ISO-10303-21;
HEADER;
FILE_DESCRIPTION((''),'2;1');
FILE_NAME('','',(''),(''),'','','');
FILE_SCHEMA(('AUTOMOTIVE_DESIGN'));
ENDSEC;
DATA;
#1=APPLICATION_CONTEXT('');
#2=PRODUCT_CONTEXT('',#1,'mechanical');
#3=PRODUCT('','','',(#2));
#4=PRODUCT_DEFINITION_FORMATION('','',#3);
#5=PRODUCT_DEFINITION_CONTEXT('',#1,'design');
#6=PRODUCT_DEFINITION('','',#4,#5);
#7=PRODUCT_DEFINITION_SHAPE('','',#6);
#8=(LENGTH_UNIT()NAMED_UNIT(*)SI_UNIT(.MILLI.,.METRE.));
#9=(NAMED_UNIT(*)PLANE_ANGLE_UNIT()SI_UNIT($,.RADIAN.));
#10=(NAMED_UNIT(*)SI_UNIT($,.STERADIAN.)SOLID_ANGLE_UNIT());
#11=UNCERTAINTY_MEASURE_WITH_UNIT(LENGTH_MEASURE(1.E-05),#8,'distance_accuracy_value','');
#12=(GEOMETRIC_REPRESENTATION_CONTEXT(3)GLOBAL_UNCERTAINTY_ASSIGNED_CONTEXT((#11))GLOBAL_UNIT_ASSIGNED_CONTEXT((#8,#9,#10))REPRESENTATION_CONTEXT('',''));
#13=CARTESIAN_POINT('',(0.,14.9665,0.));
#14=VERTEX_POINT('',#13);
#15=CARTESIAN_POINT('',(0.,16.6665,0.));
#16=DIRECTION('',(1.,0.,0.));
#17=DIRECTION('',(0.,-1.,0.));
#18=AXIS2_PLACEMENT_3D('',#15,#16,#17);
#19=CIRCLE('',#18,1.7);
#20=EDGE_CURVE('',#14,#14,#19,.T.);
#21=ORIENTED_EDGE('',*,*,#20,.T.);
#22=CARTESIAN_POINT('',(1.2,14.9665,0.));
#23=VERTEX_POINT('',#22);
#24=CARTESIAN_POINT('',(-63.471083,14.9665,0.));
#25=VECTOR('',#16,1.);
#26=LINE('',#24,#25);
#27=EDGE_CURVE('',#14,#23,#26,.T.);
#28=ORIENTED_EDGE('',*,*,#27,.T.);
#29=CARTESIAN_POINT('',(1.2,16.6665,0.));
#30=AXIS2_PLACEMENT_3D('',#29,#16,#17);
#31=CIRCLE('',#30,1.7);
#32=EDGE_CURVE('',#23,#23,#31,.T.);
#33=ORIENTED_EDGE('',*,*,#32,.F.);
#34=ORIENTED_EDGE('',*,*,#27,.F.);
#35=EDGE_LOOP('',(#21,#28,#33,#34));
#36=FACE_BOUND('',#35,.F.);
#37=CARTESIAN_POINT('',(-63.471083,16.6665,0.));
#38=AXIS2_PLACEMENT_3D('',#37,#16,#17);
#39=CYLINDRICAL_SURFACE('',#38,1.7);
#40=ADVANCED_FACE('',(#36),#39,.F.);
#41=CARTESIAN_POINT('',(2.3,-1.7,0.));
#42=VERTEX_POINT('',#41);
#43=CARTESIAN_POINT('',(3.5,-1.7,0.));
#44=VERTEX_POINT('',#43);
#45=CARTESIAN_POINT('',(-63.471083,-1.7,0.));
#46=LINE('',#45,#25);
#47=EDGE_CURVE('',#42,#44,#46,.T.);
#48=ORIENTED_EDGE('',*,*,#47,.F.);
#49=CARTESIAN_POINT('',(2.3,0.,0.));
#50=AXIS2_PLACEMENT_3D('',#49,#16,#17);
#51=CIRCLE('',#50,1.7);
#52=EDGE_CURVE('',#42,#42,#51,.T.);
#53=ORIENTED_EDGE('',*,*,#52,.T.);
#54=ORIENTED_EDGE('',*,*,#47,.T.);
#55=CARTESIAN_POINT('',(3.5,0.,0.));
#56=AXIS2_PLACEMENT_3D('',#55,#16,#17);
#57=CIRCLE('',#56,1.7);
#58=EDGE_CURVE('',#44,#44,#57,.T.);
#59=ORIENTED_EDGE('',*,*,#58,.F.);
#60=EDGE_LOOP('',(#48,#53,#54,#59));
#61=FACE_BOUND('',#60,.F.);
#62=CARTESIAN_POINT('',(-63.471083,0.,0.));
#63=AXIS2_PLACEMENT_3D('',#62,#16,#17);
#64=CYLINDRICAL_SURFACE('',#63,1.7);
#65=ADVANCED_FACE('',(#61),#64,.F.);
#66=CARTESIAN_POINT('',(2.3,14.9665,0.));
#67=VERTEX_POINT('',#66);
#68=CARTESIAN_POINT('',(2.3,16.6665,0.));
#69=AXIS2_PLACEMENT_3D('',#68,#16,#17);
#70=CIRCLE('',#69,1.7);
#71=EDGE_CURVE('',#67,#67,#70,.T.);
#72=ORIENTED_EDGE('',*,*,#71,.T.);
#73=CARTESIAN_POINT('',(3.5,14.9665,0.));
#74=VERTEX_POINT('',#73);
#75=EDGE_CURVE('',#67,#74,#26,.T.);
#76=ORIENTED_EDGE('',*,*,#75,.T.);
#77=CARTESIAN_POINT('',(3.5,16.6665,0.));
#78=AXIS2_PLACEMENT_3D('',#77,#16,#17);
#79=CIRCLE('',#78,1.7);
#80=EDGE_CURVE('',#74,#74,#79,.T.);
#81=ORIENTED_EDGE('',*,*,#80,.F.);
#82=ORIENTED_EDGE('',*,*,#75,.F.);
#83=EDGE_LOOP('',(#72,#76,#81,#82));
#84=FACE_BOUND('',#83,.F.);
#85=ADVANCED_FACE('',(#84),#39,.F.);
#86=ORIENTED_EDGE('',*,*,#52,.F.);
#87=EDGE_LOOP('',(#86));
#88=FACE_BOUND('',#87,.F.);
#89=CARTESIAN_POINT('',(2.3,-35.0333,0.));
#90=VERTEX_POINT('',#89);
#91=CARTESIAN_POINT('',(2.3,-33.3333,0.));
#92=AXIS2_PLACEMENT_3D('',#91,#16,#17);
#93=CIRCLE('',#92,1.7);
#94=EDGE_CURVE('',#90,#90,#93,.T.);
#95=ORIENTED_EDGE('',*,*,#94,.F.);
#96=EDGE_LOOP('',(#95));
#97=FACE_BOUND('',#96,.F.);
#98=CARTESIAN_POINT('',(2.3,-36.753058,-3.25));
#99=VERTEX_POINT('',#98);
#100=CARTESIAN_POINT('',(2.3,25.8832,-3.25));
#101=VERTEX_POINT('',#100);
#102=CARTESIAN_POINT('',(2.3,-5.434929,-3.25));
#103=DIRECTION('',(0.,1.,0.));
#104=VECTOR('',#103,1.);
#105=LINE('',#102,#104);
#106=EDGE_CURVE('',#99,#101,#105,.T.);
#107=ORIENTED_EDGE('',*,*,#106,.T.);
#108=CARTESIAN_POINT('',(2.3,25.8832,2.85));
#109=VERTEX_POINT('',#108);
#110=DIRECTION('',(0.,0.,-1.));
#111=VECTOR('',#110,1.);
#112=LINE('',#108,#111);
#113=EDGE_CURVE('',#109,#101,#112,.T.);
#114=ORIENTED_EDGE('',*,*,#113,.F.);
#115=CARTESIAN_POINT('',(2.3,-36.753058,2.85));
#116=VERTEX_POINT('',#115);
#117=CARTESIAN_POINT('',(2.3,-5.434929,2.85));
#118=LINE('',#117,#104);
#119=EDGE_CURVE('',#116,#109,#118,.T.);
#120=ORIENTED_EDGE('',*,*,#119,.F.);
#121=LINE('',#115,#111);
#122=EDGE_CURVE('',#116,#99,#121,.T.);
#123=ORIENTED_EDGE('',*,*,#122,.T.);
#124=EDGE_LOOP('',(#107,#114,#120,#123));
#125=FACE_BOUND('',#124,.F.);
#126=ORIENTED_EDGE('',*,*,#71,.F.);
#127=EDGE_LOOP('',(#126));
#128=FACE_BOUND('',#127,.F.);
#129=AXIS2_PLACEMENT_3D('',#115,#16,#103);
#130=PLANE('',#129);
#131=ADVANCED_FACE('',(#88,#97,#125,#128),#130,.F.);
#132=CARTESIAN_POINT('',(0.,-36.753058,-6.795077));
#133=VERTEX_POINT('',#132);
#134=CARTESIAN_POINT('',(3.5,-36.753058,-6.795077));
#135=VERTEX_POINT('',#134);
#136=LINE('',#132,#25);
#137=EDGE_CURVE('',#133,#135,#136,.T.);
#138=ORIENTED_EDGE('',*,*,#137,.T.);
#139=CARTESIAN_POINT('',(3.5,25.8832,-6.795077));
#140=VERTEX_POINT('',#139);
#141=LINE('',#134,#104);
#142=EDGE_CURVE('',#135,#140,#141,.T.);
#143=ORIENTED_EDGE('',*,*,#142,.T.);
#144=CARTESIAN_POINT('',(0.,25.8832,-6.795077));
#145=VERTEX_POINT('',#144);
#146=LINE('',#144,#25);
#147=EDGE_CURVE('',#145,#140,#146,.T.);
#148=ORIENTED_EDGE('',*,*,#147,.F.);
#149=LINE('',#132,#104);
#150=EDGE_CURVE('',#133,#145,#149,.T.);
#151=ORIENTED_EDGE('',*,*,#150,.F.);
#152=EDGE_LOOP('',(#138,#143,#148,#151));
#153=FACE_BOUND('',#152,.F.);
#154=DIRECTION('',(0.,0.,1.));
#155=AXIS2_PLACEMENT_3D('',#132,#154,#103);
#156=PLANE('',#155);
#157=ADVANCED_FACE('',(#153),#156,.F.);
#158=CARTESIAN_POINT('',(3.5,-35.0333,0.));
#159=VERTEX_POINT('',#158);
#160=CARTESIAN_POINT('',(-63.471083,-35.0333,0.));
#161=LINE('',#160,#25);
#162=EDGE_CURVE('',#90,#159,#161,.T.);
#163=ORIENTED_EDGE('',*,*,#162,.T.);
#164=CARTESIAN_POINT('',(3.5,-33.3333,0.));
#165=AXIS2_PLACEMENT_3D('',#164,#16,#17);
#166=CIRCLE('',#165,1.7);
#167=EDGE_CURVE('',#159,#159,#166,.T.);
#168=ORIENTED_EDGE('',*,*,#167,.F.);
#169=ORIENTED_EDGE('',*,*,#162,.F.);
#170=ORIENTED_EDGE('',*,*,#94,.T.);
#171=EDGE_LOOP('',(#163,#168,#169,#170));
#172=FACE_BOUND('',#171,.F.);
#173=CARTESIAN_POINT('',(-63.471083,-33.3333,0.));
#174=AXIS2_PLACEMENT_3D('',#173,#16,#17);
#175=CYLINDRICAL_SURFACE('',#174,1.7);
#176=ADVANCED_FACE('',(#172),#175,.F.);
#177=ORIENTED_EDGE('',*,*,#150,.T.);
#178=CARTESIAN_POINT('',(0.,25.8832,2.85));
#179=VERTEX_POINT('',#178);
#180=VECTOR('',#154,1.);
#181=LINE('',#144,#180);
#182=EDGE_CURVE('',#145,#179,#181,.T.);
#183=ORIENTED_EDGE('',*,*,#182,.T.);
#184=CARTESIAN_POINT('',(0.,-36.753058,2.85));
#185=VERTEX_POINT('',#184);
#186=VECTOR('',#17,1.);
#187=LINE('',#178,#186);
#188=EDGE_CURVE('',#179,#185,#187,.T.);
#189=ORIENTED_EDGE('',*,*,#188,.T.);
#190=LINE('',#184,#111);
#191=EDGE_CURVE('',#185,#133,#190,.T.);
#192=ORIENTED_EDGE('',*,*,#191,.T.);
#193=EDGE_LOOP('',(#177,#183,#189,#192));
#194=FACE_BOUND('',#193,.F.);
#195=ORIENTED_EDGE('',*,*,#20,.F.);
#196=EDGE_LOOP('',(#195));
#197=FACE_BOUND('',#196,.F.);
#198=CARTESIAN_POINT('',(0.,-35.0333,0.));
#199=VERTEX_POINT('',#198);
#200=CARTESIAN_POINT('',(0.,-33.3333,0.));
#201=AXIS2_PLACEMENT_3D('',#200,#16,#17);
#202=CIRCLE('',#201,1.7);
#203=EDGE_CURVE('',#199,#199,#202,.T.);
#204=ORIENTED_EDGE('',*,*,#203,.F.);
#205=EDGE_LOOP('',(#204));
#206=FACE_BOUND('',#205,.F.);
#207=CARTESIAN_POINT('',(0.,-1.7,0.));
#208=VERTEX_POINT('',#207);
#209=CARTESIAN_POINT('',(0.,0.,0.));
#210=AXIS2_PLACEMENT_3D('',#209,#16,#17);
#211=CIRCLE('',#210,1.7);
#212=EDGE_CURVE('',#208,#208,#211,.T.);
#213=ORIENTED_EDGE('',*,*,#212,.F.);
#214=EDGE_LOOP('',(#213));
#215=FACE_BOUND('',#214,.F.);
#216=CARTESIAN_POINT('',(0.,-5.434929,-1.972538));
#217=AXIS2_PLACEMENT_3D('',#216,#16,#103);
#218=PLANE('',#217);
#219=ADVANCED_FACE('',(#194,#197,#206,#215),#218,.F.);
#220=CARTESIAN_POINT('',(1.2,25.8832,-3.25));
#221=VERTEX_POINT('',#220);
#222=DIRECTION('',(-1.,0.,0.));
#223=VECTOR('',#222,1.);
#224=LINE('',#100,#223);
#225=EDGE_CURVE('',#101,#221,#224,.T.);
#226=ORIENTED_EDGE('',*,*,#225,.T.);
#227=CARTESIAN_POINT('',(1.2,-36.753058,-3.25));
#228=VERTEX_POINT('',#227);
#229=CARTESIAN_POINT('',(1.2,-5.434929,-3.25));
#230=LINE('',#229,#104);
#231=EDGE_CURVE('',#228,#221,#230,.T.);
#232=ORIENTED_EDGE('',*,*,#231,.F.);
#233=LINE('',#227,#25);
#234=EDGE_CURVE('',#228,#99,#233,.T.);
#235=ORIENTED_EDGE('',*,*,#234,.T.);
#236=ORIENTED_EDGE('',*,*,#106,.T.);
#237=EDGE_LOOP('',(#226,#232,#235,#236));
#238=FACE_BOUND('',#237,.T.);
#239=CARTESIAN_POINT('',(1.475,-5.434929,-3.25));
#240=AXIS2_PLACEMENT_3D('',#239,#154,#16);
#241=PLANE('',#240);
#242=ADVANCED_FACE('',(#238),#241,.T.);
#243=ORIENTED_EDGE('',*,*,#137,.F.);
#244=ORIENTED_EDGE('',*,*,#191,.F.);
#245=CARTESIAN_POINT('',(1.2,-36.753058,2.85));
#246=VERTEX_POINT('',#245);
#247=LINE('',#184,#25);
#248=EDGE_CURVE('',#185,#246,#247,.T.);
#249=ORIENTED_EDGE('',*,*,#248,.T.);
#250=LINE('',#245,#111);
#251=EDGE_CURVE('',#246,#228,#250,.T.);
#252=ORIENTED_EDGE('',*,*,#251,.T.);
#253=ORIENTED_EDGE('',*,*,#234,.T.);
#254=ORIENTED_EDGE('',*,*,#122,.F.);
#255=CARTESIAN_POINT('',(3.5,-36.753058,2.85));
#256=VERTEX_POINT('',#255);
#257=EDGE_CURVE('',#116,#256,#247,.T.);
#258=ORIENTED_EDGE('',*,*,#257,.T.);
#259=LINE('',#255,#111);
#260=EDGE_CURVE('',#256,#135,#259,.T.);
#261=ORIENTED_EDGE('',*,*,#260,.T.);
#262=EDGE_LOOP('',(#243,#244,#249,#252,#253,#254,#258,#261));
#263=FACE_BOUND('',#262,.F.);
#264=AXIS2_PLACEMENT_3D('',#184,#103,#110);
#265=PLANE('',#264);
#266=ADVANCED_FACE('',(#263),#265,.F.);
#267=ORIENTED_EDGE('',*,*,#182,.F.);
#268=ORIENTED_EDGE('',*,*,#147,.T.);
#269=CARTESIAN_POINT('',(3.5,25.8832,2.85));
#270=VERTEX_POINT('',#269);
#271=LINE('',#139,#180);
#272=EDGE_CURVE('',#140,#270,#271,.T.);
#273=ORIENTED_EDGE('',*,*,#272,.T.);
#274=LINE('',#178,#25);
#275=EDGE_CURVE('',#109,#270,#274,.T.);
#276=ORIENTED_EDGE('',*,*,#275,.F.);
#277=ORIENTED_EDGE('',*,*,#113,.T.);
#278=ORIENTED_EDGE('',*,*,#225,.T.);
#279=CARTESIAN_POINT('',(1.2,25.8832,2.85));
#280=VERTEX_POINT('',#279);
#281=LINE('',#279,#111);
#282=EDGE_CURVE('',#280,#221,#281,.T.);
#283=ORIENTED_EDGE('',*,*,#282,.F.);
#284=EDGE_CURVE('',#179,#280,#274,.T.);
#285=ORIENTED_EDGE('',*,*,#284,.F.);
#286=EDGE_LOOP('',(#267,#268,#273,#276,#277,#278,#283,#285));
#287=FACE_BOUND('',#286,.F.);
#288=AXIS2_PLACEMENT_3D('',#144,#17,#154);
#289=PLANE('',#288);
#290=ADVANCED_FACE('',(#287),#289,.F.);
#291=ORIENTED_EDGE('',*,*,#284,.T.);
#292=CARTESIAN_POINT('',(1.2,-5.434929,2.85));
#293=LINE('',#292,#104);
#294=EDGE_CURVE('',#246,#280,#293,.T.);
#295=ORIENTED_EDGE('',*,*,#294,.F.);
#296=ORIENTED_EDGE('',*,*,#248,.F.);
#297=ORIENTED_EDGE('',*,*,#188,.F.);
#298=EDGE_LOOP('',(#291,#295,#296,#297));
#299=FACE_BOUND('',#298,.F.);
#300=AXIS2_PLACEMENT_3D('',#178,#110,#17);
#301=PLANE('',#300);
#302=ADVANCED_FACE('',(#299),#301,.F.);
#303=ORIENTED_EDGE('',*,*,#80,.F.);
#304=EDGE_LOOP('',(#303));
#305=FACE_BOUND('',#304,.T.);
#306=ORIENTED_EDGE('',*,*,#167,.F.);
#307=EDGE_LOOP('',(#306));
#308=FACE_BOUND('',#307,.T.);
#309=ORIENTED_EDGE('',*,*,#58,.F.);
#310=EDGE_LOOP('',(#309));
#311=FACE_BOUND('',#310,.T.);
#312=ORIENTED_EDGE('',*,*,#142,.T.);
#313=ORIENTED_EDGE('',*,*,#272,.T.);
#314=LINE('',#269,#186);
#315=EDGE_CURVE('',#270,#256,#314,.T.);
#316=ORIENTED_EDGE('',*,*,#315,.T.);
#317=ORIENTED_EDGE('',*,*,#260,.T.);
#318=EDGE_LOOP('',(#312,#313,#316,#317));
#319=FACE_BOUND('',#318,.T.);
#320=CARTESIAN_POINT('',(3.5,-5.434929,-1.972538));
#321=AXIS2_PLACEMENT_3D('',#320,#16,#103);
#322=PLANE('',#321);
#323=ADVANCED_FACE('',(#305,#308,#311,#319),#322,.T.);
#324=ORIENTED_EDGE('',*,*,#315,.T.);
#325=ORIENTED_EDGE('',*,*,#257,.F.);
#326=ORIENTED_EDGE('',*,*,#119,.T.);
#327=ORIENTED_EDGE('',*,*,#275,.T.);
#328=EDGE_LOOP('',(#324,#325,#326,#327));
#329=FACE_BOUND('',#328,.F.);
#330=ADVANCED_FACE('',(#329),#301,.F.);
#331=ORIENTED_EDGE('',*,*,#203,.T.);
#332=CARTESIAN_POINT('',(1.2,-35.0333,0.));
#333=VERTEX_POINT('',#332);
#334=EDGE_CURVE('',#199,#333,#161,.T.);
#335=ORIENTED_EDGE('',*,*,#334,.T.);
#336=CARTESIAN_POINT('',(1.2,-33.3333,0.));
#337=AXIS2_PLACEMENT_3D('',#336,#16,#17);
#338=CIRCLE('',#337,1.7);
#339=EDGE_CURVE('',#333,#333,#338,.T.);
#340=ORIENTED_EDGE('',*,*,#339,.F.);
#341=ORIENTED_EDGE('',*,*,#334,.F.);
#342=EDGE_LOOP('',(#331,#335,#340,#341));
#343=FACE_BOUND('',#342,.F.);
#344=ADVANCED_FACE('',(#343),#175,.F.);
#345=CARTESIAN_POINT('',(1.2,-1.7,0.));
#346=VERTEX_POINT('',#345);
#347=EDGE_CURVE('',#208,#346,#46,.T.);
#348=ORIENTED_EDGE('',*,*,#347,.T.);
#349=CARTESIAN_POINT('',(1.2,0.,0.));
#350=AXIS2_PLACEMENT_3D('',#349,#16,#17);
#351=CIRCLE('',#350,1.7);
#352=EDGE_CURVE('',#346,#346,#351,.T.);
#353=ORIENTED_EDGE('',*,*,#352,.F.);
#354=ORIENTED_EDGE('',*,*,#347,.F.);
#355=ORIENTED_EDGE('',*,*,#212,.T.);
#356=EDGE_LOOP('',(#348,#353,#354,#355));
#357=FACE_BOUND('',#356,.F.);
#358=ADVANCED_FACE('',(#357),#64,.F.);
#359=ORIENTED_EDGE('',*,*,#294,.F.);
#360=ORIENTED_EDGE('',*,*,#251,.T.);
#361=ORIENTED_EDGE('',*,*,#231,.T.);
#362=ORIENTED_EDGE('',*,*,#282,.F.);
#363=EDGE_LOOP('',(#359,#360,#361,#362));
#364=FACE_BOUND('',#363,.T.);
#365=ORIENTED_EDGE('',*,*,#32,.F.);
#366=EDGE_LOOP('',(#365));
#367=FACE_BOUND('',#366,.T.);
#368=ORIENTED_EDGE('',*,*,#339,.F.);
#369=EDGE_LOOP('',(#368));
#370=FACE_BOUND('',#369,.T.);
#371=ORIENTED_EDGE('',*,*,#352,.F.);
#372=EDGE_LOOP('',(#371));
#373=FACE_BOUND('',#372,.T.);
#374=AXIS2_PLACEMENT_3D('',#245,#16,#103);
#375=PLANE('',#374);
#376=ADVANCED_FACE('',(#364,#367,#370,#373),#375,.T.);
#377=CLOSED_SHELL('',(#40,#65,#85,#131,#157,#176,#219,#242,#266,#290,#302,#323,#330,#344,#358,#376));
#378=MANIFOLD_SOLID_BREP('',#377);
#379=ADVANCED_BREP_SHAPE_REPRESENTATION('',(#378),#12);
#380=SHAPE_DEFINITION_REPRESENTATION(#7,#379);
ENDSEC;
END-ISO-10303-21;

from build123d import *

# Parameters (mm, degrees)
F1_DEPTH = 3.5
F2_W     = 0.55
F2_H     = 62.6362580806
F3_DEPTH = 6.1
F4_D     = 3.4


with BuildPart() as f1:
    # F0 (on Right) → F1 (new body)
    with BuildSketch(Plane.YZ):
        Polygon((25.8831996471, 2.85), (-36.7530584335, 2.85), (-36.7530584335, -6.7950769342), (25.8831996471, -6.7950769342), (25.8831996471, 0), align=None)
    extrude(amount=F1_DEPTH)

    # F2 (on face) → F3 (cut)
    with BuildSketch(Plane.XY.offset(2.85)):
        with Locations((1.475, -5.4349293932)):
            Rectangle(F2_W, F2_H)
        with Locations((2.025, -5.4349293932)):
            Rectangle(F2_W, F2_H)
    extrude(amount=-F3_DEPTH, mode=Mode.SUBTRACT)

    # F4 (through all)
    with Locations(Plane(origin=(0, 0, 0), x_dir=(0, 1, 0), z_dir=(-1, 0, 0))):
        with Locations((16.6665, 0), (-33.3333, 0), (0, 0)):
            Hole(F4_D / 2)


solid = f1.part
